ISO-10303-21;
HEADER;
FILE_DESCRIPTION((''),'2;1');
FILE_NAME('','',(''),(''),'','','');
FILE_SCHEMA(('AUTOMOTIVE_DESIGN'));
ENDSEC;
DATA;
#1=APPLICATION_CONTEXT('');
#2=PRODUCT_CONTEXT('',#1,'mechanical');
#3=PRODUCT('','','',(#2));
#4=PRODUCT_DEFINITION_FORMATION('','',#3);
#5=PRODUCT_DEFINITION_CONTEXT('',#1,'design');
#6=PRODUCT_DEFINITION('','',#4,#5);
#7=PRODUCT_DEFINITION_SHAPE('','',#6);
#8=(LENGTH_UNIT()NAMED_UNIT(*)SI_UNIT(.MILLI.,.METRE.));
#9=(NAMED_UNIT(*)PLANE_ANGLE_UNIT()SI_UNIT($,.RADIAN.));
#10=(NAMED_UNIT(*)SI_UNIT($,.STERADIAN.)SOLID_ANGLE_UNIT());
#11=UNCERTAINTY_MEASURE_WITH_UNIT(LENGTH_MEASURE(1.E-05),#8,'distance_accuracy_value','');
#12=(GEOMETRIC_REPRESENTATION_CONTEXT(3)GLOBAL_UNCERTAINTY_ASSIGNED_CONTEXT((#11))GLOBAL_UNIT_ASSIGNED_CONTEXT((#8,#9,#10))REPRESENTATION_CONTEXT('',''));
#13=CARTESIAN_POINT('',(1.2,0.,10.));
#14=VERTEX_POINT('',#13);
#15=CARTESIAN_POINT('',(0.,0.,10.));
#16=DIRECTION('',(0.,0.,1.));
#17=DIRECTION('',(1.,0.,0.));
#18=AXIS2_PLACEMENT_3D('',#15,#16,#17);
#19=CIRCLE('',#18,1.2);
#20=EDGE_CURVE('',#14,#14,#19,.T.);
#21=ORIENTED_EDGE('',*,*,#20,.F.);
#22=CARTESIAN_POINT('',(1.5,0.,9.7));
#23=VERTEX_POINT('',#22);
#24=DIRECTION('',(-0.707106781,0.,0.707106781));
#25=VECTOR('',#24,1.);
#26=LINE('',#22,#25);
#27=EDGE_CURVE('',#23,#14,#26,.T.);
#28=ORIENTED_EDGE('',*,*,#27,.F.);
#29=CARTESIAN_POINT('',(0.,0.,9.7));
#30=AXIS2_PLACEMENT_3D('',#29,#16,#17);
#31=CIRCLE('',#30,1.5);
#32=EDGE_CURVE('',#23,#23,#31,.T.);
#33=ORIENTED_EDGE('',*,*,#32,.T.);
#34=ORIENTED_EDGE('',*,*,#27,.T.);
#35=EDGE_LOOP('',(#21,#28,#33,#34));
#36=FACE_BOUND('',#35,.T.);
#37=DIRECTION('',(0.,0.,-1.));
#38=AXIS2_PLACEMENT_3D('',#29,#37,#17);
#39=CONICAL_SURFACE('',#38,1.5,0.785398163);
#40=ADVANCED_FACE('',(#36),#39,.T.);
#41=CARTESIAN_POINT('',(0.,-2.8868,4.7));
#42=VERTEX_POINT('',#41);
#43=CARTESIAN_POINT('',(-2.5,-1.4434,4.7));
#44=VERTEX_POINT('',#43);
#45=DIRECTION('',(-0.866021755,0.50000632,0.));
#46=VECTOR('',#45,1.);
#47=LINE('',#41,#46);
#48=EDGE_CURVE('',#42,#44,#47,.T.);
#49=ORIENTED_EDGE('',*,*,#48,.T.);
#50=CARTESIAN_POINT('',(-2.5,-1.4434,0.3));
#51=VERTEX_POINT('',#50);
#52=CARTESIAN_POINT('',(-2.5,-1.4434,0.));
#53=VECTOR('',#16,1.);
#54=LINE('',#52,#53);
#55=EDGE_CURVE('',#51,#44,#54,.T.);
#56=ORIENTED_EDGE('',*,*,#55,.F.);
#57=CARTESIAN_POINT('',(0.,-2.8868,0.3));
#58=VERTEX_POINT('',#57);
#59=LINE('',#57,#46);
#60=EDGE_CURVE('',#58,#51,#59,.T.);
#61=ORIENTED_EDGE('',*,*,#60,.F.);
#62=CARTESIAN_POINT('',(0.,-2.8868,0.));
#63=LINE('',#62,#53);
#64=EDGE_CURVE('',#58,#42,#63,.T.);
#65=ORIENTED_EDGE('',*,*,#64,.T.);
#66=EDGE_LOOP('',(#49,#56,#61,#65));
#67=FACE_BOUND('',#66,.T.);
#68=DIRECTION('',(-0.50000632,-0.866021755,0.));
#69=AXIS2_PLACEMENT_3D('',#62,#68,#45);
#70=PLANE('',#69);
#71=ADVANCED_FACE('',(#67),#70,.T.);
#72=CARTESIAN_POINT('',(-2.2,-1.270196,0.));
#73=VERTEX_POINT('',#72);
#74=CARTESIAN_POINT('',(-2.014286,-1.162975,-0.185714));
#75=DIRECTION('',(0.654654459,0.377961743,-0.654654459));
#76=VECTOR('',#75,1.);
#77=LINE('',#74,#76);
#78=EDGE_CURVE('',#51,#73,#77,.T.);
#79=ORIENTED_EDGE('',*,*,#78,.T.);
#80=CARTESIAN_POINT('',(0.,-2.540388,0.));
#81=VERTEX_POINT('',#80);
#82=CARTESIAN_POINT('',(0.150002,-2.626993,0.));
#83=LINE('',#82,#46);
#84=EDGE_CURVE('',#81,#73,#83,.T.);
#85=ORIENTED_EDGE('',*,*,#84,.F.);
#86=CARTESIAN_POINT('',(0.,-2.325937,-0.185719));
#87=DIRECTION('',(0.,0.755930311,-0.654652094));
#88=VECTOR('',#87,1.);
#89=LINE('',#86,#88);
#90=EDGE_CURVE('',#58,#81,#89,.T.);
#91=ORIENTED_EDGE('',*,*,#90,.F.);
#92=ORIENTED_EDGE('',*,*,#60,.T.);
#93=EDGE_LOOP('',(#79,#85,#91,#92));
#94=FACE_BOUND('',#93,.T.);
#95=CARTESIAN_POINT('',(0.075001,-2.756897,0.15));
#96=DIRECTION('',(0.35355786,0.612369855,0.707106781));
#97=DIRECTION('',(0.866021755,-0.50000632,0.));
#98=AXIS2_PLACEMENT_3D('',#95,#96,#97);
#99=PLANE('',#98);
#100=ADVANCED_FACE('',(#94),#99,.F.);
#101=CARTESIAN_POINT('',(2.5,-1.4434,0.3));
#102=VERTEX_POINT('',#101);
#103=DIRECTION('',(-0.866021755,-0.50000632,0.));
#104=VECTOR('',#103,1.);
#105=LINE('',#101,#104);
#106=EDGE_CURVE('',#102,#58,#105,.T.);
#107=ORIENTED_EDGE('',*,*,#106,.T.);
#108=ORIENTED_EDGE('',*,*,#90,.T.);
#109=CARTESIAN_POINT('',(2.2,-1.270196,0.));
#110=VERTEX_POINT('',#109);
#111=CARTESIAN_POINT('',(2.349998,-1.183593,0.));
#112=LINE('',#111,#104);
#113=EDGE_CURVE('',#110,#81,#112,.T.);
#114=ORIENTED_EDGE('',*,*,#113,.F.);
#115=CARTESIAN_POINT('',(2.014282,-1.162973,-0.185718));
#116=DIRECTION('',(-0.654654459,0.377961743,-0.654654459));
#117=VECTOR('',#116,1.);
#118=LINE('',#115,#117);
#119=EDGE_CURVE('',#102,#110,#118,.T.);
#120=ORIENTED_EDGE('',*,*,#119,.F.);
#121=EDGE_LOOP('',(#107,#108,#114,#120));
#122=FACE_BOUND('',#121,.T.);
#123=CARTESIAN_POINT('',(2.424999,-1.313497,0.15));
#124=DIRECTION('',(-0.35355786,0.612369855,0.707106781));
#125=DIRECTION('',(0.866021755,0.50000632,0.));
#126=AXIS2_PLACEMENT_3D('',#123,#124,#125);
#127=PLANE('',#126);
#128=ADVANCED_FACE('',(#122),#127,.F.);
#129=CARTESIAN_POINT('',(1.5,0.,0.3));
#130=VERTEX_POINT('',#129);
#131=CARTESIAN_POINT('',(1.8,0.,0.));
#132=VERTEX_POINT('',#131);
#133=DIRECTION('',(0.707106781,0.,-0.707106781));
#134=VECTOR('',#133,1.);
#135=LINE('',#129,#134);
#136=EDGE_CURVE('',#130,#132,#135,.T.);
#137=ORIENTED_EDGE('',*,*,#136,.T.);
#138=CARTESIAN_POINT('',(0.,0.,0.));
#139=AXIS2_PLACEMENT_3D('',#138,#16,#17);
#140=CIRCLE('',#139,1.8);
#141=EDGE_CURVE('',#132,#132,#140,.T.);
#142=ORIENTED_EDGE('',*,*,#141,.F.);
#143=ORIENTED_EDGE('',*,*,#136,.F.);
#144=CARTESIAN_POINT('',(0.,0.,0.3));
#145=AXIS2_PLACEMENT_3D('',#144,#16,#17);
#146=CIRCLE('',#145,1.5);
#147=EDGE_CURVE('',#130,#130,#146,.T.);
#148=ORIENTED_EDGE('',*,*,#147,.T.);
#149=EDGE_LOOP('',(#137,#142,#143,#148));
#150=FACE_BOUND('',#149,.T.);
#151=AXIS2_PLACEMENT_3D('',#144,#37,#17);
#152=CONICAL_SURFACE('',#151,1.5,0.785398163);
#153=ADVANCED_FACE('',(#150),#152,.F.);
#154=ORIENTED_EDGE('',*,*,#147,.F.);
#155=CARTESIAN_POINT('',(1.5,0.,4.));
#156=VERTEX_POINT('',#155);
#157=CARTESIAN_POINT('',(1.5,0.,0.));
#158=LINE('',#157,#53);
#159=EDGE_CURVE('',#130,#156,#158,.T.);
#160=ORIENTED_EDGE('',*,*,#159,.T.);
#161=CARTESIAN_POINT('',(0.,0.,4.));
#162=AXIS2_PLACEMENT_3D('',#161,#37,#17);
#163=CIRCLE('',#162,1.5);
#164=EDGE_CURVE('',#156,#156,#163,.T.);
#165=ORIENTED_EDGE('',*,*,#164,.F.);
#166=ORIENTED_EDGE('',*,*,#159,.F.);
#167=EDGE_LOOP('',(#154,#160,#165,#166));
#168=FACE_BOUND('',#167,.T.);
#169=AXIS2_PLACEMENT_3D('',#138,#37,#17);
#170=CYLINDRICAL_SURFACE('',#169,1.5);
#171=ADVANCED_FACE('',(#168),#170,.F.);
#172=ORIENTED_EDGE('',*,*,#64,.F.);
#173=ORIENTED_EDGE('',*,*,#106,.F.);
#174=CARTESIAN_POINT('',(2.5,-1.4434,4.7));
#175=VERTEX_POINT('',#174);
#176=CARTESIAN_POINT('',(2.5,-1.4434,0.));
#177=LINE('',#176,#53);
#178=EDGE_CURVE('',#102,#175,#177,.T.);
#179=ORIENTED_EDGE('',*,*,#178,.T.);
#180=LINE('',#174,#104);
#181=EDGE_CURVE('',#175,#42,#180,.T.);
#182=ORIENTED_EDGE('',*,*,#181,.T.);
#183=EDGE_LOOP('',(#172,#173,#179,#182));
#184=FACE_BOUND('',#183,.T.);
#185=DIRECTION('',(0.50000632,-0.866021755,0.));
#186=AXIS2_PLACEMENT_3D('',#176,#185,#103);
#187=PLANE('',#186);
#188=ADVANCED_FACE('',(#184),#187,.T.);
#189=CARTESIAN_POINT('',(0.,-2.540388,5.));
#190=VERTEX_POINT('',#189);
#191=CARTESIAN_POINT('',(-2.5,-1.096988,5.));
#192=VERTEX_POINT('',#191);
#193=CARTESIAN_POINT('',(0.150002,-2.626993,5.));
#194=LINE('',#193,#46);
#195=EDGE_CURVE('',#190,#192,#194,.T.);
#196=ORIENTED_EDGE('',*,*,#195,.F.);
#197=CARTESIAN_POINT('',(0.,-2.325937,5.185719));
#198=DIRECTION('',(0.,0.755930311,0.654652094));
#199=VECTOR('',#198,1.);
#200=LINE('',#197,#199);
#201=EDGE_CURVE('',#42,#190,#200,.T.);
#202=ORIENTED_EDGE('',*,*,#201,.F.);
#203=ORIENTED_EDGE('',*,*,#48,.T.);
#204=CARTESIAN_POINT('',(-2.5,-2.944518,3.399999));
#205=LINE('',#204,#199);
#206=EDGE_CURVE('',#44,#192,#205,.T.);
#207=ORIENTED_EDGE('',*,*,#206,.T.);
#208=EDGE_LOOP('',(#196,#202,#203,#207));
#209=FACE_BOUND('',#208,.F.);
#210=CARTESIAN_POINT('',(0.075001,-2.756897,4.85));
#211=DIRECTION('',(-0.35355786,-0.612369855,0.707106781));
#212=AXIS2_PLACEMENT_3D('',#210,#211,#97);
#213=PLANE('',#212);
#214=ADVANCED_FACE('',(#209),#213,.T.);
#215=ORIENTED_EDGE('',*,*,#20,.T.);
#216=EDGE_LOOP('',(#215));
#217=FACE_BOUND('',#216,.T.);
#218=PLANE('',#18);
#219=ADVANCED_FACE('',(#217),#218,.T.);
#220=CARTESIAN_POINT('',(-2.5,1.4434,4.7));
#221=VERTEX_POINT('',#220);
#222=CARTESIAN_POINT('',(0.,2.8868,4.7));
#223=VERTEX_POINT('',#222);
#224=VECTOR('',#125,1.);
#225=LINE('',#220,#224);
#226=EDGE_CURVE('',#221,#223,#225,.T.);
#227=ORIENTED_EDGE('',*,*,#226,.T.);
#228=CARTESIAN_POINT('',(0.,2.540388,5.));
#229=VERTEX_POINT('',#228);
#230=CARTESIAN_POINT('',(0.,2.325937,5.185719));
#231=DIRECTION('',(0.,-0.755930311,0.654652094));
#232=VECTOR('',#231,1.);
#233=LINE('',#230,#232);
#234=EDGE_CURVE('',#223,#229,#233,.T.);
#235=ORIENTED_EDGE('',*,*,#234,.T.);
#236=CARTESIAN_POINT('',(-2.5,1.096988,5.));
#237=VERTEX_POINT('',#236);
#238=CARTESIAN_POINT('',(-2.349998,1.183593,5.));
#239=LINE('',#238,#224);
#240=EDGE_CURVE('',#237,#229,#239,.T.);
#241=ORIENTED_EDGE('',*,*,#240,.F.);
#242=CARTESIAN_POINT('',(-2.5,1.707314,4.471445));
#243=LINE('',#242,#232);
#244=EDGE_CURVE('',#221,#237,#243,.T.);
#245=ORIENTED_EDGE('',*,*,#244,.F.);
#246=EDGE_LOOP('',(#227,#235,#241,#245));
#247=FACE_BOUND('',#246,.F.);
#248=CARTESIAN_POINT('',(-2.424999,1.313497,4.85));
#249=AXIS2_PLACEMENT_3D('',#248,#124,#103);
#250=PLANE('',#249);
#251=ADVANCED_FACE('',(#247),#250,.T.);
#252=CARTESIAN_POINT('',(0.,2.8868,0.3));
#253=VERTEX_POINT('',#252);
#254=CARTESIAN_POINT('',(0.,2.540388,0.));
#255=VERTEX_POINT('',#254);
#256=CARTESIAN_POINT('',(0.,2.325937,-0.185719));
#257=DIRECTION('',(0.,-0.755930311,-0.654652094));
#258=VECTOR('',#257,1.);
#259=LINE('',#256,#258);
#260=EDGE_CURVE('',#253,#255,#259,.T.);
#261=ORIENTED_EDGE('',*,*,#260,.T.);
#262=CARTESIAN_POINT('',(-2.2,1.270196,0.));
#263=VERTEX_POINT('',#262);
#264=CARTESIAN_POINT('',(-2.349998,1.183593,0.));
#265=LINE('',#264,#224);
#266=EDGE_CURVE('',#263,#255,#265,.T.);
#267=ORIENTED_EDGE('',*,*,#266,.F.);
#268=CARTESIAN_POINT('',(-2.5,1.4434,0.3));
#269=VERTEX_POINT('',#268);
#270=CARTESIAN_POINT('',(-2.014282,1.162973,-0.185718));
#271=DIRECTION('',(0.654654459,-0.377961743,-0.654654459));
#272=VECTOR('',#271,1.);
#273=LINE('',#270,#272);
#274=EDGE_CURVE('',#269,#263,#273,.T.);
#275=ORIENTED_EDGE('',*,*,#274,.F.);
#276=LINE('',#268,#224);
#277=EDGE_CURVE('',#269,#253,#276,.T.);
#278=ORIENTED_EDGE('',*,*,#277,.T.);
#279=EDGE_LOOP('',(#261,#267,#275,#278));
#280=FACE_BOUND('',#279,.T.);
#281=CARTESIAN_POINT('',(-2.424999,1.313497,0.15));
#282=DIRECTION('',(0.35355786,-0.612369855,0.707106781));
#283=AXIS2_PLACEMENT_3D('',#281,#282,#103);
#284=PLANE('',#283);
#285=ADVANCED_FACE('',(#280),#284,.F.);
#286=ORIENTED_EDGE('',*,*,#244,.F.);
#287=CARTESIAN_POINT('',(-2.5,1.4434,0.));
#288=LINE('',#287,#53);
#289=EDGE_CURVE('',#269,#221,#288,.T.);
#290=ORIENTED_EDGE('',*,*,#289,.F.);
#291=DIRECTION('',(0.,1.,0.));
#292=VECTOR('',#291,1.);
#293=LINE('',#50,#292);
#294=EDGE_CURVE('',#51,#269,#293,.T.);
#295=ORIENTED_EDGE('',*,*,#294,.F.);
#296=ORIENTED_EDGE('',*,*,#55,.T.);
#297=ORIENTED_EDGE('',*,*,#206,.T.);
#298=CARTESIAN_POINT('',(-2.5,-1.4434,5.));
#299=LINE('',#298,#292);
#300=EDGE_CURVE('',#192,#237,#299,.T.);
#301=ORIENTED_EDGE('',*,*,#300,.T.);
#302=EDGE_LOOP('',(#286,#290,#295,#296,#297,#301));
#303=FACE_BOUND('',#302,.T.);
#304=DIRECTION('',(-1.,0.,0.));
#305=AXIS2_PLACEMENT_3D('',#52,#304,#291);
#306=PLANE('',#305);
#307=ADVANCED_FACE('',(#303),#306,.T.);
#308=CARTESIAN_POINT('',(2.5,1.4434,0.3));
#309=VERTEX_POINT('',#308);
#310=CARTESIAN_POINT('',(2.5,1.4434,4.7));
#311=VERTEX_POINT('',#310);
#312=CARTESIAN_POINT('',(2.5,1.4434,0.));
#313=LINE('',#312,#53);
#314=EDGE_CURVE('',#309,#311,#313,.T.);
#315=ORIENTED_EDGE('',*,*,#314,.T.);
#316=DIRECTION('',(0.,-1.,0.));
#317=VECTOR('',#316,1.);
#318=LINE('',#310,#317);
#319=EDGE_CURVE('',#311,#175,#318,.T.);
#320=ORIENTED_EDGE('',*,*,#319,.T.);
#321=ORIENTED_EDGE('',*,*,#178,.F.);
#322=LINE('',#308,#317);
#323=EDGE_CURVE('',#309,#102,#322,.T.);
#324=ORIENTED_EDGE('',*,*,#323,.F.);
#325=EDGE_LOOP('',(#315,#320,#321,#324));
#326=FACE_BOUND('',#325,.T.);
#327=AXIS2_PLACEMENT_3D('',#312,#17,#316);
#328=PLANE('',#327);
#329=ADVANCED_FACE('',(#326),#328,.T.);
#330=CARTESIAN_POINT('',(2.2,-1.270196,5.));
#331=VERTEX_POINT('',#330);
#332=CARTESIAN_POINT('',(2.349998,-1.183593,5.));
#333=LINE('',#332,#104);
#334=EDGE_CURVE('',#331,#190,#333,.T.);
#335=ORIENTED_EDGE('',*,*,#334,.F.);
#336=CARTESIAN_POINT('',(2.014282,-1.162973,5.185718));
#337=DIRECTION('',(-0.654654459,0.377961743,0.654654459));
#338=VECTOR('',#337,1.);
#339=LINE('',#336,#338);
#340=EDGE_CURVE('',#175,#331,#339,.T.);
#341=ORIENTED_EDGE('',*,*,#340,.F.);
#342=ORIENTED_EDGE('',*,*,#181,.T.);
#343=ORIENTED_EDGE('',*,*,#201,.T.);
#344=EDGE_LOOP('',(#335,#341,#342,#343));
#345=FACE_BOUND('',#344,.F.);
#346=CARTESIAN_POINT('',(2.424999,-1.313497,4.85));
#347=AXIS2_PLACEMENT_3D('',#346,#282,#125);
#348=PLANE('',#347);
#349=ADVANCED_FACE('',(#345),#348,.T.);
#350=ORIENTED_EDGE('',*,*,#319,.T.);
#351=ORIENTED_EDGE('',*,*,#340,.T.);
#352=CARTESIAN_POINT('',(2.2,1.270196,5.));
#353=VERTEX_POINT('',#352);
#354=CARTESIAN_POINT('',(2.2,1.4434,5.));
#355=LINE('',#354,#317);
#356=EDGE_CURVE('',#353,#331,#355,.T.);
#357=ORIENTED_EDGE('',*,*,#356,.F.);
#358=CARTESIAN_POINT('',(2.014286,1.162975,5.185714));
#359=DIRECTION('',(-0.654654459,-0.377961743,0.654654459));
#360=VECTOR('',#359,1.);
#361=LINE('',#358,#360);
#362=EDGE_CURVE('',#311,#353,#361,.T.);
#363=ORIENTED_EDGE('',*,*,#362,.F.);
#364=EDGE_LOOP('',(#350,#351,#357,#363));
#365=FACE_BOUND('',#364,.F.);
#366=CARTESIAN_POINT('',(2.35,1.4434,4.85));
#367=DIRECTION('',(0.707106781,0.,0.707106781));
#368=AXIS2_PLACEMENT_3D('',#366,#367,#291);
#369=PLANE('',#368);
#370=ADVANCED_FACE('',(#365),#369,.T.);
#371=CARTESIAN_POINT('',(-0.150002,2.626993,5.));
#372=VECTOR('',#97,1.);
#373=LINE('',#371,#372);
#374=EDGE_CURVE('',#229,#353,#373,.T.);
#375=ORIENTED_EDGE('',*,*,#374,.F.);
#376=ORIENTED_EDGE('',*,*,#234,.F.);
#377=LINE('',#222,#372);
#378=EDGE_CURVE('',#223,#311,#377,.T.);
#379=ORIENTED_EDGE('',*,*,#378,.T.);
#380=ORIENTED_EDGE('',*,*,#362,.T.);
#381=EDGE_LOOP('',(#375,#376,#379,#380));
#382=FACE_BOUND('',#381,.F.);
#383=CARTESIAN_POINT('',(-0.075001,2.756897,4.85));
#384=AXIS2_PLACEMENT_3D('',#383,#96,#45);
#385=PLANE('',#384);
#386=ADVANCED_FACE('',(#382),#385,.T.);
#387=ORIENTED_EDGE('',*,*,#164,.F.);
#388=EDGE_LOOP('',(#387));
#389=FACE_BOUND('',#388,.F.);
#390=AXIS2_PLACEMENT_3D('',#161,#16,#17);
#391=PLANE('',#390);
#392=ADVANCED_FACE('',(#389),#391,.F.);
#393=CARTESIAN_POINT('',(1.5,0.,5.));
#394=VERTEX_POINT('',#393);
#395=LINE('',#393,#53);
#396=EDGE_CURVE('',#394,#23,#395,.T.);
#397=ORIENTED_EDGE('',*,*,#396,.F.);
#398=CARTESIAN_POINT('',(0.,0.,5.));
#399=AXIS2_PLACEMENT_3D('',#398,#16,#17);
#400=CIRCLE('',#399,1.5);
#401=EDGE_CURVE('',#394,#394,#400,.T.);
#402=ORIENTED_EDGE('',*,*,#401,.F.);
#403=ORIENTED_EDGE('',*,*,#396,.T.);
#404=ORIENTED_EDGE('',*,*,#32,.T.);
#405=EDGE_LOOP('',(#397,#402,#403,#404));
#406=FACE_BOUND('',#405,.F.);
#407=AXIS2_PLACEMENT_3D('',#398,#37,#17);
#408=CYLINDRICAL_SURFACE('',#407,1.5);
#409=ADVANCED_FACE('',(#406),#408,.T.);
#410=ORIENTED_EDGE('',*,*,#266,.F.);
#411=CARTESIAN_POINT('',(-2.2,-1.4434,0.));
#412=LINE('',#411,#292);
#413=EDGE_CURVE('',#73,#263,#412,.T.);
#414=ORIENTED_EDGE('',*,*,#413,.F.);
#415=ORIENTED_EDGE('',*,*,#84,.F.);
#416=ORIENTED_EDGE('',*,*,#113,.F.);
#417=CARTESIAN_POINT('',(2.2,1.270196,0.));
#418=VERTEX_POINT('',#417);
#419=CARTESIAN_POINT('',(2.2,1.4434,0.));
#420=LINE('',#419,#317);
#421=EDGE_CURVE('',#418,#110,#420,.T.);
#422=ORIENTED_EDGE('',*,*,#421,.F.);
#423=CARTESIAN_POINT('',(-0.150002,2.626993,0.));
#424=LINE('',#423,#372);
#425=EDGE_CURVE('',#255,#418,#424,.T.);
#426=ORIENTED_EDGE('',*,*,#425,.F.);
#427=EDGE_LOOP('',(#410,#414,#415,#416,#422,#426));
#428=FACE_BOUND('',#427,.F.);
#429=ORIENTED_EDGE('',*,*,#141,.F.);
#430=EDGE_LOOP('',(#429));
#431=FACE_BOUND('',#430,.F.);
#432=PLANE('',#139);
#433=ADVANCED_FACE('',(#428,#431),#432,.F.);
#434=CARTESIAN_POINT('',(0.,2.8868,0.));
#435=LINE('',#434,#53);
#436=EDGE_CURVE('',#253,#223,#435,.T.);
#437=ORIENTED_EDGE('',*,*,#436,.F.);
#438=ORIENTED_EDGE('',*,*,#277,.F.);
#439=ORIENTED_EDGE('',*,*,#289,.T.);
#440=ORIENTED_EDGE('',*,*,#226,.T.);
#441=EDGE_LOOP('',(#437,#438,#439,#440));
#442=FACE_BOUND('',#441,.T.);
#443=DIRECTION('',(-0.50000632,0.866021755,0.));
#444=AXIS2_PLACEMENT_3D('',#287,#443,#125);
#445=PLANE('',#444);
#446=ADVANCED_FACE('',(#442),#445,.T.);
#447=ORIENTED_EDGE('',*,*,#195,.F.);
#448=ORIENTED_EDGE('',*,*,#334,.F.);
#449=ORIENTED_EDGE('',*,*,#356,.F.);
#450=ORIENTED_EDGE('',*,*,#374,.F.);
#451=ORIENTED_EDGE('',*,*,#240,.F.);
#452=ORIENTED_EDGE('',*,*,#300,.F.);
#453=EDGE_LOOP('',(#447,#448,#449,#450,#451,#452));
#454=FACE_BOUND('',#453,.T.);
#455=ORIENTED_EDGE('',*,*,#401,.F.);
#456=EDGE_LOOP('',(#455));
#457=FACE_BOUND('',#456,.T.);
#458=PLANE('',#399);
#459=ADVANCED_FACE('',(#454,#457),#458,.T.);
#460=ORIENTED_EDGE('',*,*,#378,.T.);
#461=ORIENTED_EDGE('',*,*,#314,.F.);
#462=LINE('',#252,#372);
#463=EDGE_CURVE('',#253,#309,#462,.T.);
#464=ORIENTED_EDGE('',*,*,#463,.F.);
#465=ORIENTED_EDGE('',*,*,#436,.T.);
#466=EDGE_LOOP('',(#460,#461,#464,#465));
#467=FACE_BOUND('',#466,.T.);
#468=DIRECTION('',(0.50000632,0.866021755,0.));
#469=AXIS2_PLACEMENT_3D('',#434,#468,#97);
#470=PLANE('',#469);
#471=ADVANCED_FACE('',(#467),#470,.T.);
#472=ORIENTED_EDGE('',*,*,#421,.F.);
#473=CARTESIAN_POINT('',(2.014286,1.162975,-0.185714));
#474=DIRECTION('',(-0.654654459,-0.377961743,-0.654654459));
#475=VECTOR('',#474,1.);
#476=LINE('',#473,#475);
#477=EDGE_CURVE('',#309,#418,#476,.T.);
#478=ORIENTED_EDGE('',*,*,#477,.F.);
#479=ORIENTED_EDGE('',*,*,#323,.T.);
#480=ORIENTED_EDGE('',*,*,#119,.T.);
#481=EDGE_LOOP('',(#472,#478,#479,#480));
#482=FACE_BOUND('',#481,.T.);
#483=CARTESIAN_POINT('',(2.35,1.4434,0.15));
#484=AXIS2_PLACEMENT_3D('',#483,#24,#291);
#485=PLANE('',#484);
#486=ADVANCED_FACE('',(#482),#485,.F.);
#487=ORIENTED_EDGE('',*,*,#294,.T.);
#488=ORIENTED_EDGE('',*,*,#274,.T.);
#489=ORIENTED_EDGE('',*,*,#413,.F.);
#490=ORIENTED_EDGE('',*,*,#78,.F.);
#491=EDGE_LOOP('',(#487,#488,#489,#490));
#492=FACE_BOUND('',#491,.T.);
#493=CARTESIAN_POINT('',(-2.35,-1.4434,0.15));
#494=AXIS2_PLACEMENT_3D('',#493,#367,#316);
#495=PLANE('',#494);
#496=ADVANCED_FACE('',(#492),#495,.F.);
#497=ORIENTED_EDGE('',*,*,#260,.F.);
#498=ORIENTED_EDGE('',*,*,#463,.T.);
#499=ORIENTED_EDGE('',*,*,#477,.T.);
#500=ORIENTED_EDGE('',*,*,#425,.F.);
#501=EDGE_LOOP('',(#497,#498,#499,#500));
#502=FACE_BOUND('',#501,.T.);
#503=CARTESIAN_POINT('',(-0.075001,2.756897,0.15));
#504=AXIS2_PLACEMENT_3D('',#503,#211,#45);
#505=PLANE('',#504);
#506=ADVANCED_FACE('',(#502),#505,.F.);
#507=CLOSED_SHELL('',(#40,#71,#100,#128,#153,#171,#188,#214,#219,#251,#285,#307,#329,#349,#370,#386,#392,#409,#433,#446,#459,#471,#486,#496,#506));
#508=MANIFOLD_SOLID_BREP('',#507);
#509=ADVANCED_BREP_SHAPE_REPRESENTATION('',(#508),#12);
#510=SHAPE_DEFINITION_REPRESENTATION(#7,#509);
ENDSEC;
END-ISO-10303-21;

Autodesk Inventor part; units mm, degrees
ref_plane "YZ Plane" through (0, 0, 0) normal (1, 0, 0) x (0, 1, 0)
ref_plane "XZ Plane" through (0, 0, 0) normal (0, 1, 0) x (-1, 0, 0)
ref_plane "XY Plane" through (0, 0, 0) normal (0, 0, 1) x (1, 0, 0)
sketch "Skizze1" plane through (0, 0, 0) normal (0, 0, 1) x (1, 0, 0)
  line L0 (0, 2.8868) -> (2.5, 1.4434)
  line L1 (2.5, 1.4434) -> (2.5, -1.4434)
  line L2 (2.5, -1.4434) -> (0, -2.8868)
  line L3 (0, -2.8868) -> (-2.5, -1.4434)
  line L4 (-2.5, -1.4434) -> (-2.5, 1.4434)
  line L5 (-2.5, 1.4434) -> (0, 2.8868)
  circle A0 centre (0, 0) radius 1.5
  dimension "d0" = 5
  dimension "d1" = 3
extrude "Extrusion1" add sketch "Skizze1" along normal blind 5
chamfer "Fase1" distance 0.3 angle 45 13 edges at (1.25, -2.1651, 5) (-1.25, -2.1651, 5) (2.5, 0, 5) (1.25, 2.1651, 5) (-1.25, 2.1651, 5) (1.25, -2.1651, 0) (2.5, 0, 0) (-1.25, -2.1651, 0) (1.25, 2.1651, 0) (-1.25, 2.1651, 0) (-2.5, 0, 0) (-1.5, 0, 5) (-1.5, 0, 0)
thread "Gewinde1" size "M3x0.5" class "6H" standard "ANSI Metric M Profile" full length
sketch "Skizze2" plane through (0, 0, 5) normal (0, 0, 1) x (1, 0, 0)
  line L0 (0, -2.5403) -> (-2.5, -1.097) projected
  line L1 (2.2, -1.2702) -> (0, -2.5403) projected
  line L2 (2.2, 1.2702) -> (2.2, -1.2702) projected
  line L3 (0, 2.5403) -> (2.2, 1.2702) projected
  line L4 (-2.5, 1.097) -> (0, 2.5403) projected
  line L5 (-2.5, 1.097) -> (-2.5, -1.097) projected
  circle A0 centre (0, 0) radius 1.8 projected
extrude "Extrusion2" add sketch "Skizze2" against normal blind 1 contours A0
sketch "Skizze3" plane through (0, 0, 5) normal (0, 0, 1) x (1, 0, 0)
  circle A0 centre (0, 0) radius 1.5
  dimension "d11" = 3
extrude "Extrusion3" add sketch "Skizze3" along normal blind 5
thread "Gewinde2" size "M3x0.5" class "6g" standard "ANSI Metric M Profile" full length
chamfer "Fase2" distance 0.3 angle 45 1 edges at (-1.5, 0, 10)
properties part number "Distanzhuelse_M3x5mm_" material "Nickel-Kupfer-Legierung 400"
